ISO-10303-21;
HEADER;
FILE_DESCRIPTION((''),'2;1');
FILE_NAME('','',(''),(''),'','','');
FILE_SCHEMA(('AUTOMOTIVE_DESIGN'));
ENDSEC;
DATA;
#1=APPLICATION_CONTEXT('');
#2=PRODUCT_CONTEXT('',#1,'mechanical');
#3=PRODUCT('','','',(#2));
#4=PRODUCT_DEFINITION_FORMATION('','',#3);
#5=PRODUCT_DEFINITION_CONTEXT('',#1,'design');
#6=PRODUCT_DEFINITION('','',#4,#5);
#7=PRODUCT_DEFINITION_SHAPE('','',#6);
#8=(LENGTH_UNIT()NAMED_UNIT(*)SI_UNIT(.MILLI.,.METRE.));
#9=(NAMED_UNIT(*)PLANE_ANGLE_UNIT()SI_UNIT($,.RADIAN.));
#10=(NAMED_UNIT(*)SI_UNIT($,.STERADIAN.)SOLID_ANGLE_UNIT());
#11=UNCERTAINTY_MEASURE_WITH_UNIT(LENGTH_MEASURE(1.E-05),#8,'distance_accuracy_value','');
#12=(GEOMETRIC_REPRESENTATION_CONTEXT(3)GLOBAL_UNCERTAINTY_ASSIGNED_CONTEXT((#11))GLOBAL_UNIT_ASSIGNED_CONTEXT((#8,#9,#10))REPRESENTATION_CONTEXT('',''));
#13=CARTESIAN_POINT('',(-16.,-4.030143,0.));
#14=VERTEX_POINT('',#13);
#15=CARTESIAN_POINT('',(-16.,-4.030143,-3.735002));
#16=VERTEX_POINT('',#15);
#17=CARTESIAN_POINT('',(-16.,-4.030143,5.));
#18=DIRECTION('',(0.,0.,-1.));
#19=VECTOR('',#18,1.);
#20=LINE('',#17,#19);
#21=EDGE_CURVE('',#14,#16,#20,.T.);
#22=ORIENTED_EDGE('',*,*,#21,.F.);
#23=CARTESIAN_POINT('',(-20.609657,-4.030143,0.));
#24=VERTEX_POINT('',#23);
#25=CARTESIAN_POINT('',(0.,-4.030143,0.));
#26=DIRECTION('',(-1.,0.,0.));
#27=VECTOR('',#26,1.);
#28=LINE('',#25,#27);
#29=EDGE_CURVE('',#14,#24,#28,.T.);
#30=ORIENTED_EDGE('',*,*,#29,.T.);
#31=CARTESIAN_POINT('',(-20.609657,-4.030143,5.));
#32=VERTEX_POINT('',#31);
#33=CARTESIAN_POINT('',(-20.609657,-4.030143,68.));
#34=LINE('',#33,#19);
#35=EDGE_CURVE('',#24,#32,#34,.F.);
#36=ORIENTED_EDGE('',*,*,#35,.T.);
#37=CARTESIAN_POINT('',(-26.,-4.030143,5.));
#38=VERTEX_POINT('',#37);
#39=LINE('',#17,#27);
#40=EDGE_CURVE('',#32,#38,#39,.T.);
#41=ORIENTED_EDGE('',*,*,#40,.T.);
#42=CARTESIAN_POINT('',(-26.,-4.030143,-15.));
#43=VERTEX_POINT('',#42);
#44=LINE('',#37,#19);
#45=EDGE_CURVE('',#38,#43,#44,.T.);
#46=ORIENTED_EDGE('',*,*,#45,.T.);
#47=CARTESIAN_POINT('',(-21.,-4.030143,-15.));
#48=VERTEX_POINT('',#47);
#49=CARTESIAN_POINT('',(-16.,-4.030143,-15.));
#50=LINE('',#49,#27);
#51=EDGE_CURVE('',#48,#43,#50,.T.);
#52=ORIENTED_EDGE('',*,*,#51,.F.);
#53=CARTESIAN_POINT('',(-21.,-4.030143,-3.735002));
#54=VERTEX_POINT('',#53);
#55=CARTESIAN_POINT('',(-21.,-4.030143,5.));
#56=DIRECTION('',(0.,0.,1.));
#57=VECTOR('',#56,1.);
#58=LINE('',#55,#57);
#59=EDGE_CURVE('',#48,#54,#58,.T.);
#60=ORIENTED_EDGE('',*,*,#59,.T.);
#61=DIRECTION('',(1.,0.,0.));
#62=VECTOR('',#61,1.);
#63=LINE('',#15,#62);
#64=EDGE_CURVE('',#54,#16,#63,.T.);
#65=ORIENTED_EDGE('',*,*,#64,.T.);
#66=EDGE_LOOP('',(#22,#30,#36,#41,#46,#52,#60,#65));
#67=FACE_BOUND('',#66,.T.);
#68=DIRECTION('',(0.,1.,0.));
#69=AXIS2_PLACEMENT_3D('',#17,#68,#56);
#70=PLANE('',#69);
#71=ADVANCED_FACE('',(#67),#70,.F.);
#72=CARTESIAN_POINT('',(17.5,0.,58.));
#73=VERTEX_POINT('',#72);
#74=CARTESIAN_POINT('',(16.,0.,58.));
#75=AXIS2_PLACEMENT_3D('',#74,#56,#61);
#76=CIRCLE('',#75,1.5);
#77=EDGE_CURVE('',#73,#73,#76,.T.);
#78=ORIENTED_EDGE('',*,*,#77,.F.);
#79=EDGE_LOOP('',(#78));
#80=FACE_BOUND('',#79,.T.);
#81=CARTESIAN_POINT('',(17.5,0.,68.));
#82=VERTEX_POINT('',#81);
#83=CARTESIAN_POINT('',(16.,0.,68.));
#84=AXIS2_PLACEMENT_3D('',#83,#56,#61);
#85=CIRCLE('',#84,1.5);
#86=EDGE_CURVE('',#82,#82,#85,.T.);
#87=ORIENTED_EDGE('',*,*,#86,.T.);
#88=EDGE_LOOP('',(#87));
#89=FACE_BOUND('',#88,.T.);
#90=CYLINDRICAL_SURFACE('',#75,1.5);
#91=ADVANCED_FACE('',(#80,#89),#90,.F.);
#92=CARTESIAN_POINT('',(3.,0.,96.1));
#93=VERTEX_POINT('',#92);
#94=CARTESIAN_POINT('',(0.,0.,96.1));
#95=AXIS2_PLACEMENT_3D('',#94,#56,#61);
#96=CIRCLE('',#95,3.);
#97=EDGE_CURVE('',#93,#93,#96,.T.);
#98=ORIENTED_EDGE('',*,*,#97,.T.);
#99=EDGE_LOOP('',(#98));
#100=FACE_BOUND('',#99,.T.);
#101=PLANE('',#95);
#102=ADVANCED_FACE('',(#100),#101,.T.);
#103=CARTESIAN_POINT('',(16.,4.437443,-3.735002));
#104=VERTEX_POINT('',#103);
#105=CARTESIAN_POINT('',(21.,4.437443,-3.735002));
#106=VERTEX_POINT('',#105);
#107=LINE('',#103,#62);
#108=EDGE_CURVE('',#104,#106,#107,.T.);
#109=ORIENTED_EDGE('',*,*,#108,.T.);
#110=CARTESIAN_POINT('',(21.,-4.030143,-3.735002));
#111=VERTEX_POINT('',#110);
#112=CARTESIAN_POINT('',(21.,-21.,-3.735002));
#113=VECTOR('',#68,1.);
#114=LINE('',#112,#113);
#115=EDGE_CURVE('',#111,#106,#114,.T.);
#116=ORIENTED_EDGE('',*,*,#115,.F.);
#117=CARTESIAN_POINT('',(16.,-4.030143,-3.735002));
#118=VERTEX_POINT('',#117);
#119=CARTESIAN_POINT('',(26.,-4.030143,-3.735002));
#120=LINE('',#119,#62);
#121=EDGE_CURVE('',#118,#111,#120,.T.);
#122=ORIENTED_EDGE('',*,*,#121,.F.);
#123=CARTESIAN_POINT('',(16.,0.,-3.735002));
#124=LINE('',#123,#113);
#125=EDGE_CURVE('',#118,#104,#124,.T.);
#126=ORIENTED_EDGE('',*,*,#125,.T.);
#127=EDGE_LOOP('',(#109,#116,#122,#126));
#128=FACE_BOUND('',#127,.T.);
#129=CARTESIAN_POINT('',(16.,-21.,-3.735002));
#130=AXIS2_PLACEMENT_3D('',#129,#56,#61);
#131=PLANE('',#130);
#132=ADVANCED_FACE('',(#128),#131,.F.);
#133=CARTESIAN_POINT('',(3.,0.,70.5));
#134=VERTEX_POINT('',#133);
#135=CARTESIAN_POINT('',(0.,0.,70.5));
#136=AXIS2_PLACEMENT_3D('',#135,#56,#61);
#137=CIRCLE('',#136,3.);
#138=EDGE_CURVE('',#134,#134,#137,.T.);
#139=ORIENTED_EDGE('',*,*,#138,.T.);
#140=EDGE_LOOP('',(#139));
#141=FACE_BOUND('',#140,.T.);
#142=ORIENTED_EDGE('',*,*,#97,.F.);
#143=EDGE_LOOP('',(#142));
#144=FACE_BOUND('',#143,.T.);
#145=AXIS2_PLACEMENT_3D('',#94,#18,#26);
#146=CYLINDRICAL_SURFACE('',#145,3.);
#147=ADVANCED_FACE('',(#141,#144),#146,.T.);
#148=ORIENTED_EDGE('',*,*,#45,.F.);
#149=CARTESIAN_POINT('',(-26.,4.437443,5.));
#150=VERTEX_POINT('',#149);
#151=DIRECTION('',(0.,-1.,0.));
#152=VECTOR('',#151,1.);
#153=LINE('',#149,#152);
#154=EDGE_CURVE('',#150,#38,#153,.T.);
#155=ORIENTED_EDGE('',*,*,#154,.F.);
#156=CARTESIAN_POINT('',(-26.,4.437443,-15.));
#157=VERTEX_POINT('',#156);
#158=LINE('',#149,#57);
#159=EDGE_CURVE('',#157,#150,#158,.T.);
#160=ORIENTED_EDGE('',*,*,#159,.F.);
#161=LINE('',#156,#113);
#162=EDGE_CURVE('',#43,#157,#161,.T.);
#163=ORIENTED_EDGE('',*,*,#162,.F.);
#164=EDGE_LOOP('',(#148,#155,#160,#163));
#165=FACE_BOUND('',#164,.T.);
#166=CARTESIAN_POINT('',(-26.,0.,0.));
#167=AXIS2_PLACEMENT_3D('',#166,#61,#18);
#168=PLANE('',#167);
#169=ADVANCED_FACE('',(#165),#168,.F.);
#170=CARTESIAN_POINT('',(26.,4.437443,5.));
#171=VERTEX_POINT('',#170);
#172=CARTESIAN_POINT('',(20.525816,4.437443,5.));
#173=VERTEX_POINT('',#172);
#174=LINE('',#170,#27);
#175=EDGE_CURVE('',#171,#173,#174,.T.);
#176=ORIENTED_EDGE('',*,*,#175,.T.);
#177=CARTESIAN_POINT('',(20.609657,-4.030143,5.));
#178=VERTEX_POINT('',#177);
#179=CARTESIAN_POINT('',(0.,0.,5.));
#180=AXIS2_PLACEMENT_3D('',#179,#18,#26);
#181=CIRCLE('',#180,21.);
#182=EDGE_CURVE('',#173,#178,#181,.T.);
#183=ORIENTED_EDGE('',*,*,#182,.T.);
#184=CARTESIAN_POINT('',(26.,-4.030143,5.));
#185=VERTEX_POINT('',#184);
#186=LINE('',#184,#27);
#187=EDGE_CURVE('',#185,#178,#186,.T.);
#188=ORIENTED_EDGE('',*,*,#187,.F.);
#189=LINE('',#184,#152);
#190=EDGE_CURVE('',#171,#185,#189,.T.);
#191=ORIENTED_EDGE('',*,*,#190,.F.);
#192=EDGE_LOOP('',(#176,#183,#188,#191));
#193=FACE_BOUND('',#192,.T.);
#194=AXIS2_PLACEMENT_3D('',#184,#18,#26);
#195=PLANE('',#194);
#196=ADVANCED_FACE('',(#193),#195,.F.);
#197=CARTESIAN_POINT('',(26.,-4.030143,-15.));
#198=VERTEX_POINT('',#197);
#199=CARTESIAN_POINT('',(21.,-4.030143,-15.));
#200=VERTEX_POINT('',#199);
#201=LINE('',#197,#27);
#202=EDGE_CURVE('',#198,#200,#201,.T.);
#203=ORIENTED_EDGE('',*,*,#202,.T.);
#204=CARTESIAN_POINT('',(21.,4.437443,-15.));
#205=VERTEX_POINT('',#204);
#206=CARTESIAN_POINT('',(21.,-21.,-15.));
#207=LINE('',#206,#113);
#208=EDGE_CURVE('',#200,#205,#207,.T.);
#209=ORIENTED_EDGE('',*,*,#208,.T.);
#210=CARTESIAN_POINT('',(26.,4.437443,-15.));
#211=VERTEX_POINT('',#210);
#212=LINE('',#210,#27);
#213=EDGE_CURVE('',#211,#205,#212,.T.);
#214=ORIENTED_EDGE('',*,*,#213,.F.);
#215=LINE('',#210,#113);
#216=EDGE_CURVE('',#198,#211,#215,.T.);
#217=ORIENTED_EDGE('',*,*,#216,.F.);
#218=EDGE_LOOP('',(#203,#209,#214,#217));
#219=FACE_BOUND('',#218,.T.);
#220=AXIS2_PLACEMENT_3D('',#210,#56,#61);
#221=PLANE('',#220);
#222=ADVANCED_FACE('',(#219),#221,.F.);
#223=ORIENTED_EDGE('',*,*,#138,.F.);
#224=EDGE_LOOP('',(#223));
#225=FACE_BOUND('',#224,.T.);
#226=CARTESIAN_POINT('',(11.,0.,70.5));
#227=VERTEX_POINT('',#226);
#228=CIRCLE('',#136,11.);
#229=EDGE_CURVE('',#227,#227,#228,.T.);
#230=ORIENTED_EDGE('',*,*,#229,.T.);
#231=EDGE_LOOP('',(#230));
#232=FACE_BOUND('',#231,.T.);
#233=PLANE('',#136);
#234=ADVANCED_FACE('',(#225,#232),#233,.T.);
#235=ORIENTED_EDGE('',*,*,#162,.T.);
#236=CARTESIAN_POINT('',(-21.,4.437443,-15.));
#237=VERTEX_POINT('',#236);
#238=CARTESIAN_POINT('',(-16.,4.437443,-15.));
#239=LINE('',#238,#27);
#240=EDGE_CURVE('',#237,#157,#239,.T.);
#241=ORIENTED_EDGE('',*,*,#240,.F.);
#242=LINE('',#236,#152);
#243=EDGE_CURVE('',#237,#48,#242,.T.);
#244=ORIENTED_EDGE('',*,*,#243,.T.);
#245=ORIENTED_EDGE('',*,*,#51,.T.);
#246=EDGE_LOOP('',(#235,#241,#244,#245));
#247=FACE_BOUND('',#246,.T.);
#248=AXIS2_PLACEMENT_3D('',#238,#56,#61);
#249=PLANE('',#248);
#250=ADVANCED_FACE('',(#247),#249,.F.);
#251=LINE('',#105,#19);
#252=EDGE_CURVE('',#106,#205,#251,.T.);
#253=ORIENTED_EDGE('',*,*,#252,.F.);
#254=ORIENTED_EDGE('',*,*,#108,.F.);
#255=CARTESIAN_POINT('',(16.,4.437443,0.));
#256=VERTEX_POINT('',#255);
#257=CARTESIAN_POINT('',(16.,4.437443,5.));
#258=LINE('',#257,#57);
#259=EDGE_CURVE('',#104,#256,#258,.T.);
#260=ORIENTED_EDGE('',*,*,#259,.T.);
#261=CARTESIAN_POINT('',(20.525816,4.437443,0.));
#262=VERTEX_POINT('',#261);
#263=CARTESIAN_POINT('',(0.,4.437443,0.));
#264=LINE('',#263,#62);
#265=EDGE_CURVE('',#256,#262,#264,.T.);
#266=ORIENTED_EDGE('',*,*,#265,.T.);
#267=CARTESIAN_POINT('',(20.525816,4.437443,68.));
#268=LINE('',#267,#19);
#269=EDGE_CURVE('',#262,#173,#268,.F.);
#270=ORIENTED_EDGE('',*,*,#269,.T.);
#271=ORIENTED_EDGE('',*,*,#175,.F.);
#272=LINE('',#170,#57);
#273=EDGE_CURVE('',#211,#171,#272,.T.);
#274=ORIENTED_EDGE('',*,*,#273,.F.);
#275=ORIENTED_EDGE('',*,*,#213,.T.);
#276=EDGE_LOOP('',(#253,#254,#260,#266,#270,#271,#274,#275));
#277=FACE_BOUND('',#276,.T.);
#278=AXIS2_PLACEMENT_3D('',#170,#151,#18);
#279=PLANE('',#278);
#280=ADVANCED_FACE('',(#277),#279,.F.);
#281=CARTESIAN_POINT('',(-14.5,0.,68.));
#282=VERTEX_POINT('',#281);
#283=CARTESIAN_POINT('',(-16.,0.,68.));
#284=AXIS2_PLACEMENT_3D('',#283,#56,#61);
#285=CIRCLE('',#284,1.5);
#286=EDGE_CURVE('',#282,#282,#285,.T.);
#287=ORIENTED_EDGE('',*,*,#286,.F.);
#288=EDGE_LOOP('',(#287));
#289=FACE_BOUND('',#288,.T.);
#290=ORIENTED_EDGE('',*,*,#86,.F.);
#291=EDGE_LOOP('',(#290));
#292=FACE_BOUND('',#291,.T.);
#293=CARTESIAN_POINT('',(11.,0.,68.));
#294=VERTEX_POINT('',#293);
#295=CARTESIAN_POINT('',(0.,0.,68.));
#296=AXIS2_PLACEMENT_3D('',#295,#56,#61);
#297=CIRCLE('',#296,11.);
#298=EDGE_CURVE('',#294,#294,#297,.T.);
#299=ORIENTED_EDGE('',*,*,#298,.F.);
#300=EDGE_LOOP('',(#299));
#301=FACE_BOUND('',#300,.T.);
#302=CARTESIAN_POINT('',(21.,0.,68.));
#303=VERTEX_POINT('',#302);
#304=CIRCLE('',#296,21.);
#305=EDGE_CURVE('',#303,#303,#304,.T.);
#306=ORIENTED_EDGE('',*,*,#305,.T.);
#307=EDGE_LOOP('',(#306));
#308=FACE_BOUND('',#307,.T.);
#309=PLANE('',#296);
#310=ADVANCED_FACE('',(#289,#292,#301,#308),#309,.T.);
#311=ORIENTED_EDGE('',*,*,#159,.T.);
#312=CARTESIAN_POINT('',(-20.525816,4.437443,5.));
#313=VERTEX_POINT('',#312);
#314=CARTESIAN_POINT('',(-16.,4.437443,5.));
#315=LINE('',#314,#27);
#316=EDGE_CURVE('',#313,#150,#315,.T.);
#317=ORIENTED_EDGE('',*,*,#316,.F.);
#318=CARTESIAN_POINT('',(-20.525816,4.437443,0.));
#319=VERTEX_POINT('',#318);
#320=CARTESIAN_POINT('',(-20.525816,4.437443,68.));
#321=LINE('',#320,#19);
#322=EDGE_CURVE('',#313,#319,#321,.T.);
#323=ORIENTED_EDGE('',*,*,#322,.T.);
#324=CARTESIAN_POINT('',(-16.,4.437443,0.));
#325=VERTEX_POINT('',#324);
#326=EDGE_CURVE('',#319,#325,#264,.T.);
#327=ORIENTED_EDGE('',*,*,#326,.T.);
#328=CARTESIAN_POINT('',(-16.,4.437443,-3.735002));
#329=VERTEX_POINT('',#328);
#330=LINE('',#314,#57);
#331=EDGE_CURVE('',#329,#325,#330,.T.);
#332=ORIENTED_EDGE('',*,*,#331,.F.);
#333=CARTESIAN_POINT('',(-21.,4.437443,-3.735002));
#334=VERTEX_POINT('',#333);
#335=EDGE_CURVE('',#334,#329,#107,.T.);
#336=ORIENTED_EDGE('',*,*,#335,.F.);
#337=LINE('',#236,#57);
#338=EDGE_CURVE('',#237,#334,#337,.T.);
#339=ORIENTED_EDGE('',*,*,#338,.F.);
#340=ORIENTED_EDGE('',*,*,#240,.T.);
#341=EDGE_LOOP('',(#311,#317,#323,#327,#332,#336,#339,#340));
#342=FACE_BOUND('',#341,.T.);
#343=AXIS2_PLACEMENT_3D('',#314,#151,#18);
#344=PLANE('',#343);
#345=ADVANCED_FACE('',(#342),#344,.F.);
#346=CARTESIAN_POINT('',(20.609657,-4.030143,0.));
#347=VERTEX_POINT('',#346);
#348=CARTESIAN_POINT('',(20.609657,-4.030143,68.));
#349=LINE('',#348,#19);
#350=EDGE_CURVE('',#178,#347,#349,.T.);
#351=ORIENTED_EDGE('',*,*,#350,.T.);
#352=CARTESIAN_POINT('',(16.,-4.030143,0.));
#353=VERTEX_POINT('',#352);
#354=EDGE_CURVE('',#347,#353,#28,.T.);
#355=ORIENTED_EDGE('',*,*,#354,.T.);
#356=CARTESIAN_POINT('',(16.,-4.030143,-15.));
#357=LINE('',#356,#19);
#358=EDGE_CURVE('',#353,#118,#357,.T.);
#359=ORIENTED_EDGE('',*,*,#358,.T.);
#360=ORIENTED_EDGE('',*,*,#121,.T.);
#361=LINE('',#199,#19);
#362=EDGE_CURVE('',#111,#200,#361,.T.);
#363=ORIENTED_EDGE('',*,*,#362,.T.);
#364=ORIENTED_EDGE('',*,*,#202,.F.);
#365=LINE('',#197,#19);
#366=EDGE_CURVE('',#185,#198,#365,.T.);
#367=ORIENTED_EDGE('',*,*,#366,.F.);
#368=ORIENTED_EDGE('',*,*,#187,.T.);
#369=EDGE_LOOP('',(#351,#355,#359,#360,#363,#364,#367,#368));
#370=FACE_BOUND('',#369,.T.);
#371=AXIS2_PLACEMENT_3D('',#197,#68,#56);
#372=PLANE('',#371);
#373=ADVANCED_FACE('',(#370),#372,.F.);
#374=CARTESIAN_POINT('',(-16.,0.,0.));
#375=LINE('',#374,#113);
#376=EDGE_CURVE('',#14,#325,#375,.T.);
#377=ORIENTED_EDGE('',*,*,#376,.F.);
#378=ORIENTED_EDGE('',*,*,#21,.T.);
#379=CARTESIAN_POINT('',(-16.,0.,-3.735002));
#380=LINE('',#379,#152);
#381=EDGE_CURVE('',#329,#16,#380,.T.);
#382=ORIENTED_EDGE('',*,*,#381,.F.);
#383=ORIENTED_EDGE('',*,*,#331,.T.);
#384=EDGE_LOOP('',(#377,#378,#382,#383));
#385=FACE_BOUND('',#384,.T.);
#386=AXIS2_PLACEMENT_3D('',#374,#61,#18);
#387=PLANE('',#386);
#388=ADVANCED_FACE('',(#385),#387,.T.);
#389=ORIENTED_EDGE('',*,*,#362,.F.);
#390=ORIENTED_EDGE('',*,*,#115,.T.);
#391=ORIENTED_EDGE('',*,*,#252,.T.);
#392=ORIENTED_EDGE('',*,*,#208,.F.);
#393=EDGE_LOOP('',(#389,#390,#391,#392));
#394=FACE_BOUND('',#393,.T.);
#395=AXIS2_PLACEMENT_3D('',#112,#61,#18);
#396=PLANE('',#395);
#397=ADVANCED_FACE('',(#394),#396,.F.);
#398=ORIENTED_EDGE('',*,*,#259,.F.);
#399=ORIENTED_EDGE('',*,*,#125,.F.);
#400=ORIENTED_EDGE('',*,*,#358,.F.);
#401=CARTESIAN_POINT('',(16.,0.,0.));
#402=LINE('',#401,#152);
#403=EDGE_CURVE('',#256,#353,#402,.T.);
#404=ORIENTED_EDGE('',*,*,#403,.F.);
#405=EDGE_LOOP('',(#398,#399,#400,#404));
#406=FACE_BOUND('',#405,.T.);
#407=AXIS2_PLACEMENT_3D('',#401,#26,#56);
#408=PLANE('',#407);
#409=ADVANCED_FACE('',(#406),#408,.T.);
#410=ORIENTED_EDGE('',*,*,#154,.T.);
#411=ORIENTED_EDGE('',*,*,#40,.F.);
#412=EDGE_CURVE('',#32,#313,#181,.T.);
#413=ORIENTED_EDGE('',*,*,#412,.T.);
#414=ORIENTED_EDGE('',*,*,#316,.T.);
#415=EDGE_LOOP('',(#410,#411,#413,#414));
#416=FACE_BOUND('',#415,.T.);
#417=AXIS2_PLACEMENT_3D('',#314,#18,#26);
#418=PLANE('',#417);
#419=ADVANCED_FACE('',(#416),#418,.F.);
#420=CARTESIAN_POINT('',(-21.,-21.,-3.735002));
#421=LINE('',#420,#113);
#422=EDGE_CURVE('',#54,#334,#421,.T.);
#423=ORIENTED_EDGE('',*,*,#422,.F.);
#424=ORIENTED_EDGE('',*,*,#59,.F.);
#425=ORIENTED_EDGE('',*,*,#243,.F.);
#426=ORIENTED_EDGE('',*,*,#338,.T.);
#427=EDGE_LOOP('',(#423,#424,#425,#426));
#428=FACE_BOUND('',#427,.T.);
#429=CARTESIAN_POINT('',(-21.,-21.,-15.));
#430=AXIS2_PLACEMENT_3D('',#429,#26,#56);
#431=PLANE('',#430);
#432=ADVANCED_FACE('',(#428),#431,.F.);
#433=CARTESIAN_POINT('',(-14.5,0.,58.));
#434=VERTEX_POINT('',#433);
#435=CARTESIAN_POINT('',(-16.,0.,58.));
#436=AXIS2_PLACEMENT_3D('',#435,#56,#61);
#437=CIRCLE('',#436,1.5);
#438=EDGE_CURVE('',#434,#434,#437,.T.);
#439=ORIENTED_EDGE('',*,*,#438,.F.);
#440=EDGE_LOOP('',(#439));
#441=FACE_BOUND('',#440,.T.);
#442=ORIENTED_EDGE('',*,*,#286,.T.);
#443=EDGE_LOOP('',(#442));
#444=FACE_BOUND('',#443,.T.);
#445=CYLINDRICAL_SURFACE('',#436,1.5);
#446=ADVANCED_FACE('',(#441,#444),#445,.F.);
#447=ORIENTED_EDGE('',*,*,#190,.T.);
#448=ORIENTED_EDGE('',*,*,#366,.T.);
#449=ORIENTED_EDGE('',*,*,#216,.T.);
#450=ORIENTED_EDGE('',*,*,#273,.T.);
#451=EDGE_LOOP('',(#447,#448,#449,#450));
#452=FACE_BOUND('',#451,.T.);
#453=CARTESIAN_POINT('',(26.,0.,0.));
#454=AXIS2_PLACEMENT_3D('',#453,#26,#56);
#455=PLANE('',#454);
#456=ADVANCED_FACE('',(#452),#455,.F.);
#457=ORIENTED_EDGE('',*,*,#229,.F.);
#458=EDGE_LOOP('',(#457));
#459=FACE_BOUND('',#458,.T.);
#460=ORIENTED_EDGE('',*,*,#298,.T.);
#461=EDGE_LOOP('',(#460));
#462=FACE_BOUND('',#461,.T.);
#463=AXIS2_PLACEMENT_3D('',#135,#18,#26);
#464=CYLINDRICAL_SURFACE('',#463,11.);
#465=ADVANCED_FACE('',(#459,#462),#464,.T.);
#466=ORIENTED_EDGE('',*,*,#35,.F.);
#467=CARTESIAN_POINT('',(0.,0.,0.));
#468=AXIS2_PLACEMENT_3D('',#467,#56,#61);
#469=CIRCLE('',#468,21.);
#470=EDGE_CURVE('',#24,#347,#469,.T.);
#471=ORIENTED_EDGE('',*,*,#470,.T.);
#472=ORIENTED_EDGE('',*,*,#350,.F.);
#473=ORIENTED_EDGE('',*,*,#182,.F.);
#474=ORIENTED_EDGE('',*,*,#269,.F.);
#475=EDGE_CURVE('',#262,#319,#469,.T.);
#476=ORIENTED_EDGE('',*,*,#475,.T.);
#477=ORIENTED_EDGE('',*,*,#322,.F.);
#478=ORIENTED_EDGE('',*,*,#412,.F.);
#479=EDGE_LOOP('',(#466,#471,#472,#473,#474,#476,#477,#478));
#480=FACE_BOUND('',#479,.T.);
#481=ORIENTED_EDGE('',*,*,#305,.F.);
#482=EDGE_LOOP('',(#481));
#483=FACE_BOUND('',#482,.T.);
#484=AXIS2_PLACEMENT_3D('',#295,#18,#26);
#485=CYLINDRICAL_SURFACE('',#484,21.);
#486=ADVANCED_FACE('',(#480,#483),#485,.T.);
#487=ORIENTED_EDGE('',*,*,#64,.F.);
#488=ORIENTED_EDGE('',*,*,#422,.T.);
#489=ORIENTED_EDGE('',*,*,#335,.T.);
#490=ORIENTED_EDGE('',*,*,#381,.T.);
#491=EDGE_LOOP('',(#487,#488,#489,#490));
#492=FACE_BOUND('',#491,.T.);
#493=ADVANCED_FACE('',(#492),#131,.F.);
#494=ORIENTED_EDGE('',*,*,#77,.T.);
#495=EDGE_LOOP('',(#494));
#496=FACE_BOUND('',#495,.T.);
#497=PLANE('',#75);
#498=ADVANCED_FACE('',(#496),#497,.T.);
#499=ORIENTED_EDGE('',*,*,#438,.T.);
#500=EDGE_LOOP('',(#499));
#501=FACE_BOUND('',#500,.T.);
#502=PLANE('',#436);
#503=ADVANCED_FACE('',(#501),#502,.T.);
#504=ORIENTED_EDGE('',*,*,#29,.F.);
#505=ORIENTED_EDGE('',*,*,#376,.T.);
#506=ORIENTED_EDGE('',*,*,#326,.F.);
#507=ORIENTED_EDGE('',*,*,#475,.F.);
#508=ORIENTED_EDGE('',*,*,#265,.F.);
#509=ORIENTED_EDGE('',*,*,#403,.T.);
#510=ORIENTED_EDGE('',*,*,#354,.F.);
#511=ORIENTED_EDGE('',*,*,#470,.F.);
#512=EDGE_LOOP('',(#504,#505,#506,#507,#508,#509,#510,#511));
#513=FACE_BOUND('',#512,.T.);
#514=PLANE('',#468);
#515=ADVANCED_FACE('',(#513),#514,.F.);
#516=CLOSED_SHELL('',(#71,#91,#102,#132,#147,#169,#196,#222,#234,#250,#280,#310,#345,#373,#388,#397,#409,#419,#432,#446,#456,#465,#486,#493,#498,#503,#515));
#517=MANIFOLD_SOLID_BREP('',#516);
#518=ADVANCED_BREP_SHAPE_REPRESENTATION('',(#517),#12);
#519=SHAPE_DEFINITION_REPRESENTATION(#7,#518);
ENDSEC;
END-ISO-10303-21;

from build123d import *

# Parameters (mm, degrees)
CROQUIS1_R              = 21
SALIENTE_EXTRUIR1_DEPTH = 68
CROQUIS2_R              = 11
SALIENTE_EXTRUIR2_DEPTH = 2.5
CROQUIS3_R              = 3
SALIENTE_EXTRUIR3_DEPTH = 25.6
CROQUIS4_W              = 20
CROQUIS4_H              = 8.467586068
SALIENTE_EXTRUIR4_DEPTH = 5
CROQUIS6_W              = 20
CROQUIS6_H              = 8.467586068
SALIENTE_EXTRUIR5_DEPTH = 5
CORTAR_EXTRUIR1_DEPTH   = 103.753459728
CROQUIS8_R              = 1.5
CORTAR_EXTRUIR2_DEPTH   = 10


with BuildPart() as part:
    # Croquis1 → Saliente-Extruir1 (new body)
    with BuildSketch(Plane.XY):
        Circle(CROQUIS1_R)
    extrude(amount=SALIENTE_EXTRUIR1_DEPTH)

    # Croquis2 → Saliente-Extruir2 (add)
    with BuildSketch(Plane.XY.offset(68)):
        Circle(CROQUIS2_R)
    extrude(amount=SALIENTE_EXTRUIR2_DEPTH)

    # Croquis3 → Saliente-Extruir3 (add)
    with BuildSketch(Plane.XY.offset(70.5)):
        Circle(CROQUIS3_R)
    extrude(amount=SALIENTE_EXTRUIR3_DEPTH)

    # Croquis4 → Saliente-Extruir4 (add, symmetric)
    with BuildSketch(Plane(origin=(21, 0, 0), x_dir=(0, 0, -1), z_dir=(1, 0, 0))):
        with Locations((5, 0.203649565)):
            Rectangle(CROQUIS4_W, CROQUIS4_H)
    extrude(amount=SALIENTE_EXTRUIR4_DEPTH, both=True)

    # Croquis6 → Saliente-Extruir5 (add, symmetric)
    with BuildSketch(Plane(origin=(-21, 0, 0), x_dir=(0, 0, -1), z_dir=(1, 0, 0))):
        with Locations((5, 0.203649565)):
            Rectangle(CROQUIS6_W, CROQUIS6_H)
    extrude(amount=SALIENTE_EXTRUIR5_DEPTH, both=True)

    # Croquis7 → Cortar-Extruir1 (cut, through all)
    with BuildSketch(Plane(origin=(0, 4.437442599, 0), x_dir=(1, 0, 0), z_dir=(0, 1, 0))):
        Polygon((16, 3.735002253), (21, 3.735002253), (21, 15), (-21, 15), (-21, 3.735002253), align=None)
    extrude(amount=-CORTAR_EXTRUIR1_DEPTH, mode=Mode.SUBTRACT)

    # Croquis8 → Cortar-Extruir2 (cut)
    with BuildSketch(Plane.XY.offset(68)):
        with Locations((-16, 0)):
            Circle(CROQUIS8_R)
        with Locations((16, 0)):
            Circle(CROQUIS8_R)
    extrude(amount=-CORTAR_EXTRUIR2_DEPTH, mode=Mode.SUBTRACT)


solid = part.part
